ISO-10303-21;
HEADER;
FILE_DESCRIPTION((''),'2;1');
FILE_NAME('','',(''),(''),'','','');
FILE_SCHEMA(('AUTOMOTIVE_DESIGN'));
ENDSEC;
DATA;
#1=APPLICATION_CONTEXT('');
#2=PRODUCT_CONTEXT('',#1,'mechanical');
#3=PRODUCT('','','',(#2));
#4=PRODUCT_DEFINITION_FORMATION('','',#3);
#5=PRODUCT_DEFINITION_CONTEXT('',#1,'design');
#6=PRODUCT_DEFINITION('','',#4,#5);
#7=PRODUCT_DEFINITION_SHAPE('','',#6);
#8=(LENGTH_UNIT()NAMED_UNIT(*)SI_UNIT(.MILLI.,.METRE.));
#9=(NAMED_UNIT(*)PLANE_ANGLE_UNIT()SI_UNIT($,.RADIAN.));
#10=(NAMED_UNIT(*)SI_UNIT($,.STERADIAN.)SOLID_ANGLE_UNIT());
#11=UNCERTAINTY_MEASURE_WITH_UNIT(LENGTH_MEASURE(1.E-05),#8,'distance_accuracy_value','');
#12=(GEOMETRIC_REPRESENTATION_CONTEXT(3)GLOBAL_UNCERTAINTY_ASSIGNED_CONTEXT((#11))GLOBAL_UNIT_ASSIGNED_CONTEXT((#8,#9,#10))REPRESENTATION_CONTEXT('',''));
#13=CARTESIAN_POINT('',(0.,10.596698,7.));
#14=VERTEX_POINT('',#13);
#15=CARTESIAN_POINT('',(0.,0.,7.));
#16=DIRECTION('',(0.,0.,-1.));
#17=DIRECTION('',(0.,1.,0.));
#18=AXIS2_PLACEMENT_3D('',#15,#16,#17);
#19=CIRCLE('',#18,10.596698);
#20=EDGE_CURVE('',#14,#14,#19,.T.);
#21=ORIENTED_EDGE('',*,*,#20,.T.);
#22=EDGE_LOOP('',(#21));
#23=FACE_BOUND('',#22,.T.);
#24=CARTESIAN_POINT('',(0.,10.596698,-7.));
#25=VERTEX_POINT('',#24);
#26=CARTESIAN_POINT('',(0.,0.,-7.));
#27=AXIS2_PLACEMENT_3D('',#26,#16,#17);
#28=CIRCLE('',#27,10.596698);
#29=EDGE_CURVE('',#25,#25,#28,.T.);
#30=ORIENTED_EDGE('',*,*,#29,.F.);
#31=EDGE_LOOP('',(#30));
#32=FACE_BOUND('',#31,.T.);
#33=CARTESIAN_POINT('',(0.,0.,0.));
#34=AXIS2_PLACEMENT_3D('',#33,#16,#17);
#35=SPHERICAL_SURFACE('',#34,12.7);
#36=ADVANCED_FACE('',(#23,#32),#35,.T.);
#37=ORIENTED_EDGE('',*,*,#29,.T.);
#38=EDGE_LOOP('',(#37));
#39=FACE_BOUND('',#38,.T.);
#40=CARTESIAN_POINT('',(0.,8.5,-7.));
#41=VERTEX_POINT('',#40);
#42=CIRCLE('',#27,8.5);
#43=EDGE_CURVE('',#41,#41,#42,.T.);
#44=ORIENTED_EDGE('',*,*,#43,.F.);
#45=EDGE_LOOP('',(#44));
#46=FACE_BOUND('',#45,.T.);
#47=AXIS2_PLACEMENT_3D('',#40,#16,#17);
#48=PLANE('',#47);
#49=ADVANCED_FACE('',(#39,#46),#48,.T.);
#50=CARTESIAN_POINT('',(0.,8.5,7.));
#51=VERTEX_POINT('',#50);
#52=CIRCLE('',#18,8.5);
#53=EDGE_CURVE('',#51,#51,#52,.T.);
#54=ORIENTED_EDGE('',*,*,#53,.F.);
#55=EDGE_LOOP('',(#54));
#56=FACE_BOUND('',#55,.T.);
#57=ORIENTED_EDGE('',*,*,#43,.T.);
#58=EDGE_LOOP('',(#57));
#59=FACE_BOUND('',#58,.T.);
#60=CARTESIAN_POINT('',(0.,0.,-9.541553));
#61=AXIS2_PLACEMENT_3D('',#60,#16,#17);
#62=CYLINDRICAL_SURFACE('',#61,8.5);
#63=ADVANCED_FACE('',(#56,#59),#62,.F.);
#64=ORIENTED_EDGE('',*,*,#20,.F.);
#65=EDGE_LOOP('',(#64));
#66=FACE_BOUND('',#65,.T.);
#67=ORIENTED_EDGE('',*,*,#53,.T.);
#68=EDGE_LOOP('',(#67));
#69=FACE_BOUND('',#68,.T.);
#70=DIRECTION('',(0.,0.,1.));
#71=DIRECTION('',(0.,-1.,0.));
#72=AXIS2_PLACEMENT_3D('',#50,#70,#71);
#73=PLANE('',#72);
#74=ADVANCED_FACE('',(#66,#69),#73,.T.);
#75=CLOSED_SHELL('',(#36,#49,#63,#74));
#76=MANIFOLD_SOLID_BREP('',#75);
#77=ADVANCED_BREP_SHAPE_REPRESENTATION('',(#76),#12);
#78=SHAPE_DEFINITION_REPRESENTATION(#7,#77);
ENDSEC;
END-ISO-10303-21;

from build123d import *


with BuildPart() as part:
    # Sketch1 → Revolve1 (revolve)
    with BuildSketch(Plane(origin=(0, 0, 0), x_dir=(0, 0, -1), z_dir=(1, 0, 0))):
        with BuildLine():
            Line((7, 8.5), (-7, 8.5))
            Line((-7, 8.5), (-7, 10.596697599))
            ThreePointArc((-7, 10.596697599), (0, 12.7), (7, 10.596697599))
            Line((7, 10.596697599), (7, 8.5))
        make_face()
    revolve(axis=Axis((0, 0, -9.541553321), (0, 0, 1)))


solid = part.part
